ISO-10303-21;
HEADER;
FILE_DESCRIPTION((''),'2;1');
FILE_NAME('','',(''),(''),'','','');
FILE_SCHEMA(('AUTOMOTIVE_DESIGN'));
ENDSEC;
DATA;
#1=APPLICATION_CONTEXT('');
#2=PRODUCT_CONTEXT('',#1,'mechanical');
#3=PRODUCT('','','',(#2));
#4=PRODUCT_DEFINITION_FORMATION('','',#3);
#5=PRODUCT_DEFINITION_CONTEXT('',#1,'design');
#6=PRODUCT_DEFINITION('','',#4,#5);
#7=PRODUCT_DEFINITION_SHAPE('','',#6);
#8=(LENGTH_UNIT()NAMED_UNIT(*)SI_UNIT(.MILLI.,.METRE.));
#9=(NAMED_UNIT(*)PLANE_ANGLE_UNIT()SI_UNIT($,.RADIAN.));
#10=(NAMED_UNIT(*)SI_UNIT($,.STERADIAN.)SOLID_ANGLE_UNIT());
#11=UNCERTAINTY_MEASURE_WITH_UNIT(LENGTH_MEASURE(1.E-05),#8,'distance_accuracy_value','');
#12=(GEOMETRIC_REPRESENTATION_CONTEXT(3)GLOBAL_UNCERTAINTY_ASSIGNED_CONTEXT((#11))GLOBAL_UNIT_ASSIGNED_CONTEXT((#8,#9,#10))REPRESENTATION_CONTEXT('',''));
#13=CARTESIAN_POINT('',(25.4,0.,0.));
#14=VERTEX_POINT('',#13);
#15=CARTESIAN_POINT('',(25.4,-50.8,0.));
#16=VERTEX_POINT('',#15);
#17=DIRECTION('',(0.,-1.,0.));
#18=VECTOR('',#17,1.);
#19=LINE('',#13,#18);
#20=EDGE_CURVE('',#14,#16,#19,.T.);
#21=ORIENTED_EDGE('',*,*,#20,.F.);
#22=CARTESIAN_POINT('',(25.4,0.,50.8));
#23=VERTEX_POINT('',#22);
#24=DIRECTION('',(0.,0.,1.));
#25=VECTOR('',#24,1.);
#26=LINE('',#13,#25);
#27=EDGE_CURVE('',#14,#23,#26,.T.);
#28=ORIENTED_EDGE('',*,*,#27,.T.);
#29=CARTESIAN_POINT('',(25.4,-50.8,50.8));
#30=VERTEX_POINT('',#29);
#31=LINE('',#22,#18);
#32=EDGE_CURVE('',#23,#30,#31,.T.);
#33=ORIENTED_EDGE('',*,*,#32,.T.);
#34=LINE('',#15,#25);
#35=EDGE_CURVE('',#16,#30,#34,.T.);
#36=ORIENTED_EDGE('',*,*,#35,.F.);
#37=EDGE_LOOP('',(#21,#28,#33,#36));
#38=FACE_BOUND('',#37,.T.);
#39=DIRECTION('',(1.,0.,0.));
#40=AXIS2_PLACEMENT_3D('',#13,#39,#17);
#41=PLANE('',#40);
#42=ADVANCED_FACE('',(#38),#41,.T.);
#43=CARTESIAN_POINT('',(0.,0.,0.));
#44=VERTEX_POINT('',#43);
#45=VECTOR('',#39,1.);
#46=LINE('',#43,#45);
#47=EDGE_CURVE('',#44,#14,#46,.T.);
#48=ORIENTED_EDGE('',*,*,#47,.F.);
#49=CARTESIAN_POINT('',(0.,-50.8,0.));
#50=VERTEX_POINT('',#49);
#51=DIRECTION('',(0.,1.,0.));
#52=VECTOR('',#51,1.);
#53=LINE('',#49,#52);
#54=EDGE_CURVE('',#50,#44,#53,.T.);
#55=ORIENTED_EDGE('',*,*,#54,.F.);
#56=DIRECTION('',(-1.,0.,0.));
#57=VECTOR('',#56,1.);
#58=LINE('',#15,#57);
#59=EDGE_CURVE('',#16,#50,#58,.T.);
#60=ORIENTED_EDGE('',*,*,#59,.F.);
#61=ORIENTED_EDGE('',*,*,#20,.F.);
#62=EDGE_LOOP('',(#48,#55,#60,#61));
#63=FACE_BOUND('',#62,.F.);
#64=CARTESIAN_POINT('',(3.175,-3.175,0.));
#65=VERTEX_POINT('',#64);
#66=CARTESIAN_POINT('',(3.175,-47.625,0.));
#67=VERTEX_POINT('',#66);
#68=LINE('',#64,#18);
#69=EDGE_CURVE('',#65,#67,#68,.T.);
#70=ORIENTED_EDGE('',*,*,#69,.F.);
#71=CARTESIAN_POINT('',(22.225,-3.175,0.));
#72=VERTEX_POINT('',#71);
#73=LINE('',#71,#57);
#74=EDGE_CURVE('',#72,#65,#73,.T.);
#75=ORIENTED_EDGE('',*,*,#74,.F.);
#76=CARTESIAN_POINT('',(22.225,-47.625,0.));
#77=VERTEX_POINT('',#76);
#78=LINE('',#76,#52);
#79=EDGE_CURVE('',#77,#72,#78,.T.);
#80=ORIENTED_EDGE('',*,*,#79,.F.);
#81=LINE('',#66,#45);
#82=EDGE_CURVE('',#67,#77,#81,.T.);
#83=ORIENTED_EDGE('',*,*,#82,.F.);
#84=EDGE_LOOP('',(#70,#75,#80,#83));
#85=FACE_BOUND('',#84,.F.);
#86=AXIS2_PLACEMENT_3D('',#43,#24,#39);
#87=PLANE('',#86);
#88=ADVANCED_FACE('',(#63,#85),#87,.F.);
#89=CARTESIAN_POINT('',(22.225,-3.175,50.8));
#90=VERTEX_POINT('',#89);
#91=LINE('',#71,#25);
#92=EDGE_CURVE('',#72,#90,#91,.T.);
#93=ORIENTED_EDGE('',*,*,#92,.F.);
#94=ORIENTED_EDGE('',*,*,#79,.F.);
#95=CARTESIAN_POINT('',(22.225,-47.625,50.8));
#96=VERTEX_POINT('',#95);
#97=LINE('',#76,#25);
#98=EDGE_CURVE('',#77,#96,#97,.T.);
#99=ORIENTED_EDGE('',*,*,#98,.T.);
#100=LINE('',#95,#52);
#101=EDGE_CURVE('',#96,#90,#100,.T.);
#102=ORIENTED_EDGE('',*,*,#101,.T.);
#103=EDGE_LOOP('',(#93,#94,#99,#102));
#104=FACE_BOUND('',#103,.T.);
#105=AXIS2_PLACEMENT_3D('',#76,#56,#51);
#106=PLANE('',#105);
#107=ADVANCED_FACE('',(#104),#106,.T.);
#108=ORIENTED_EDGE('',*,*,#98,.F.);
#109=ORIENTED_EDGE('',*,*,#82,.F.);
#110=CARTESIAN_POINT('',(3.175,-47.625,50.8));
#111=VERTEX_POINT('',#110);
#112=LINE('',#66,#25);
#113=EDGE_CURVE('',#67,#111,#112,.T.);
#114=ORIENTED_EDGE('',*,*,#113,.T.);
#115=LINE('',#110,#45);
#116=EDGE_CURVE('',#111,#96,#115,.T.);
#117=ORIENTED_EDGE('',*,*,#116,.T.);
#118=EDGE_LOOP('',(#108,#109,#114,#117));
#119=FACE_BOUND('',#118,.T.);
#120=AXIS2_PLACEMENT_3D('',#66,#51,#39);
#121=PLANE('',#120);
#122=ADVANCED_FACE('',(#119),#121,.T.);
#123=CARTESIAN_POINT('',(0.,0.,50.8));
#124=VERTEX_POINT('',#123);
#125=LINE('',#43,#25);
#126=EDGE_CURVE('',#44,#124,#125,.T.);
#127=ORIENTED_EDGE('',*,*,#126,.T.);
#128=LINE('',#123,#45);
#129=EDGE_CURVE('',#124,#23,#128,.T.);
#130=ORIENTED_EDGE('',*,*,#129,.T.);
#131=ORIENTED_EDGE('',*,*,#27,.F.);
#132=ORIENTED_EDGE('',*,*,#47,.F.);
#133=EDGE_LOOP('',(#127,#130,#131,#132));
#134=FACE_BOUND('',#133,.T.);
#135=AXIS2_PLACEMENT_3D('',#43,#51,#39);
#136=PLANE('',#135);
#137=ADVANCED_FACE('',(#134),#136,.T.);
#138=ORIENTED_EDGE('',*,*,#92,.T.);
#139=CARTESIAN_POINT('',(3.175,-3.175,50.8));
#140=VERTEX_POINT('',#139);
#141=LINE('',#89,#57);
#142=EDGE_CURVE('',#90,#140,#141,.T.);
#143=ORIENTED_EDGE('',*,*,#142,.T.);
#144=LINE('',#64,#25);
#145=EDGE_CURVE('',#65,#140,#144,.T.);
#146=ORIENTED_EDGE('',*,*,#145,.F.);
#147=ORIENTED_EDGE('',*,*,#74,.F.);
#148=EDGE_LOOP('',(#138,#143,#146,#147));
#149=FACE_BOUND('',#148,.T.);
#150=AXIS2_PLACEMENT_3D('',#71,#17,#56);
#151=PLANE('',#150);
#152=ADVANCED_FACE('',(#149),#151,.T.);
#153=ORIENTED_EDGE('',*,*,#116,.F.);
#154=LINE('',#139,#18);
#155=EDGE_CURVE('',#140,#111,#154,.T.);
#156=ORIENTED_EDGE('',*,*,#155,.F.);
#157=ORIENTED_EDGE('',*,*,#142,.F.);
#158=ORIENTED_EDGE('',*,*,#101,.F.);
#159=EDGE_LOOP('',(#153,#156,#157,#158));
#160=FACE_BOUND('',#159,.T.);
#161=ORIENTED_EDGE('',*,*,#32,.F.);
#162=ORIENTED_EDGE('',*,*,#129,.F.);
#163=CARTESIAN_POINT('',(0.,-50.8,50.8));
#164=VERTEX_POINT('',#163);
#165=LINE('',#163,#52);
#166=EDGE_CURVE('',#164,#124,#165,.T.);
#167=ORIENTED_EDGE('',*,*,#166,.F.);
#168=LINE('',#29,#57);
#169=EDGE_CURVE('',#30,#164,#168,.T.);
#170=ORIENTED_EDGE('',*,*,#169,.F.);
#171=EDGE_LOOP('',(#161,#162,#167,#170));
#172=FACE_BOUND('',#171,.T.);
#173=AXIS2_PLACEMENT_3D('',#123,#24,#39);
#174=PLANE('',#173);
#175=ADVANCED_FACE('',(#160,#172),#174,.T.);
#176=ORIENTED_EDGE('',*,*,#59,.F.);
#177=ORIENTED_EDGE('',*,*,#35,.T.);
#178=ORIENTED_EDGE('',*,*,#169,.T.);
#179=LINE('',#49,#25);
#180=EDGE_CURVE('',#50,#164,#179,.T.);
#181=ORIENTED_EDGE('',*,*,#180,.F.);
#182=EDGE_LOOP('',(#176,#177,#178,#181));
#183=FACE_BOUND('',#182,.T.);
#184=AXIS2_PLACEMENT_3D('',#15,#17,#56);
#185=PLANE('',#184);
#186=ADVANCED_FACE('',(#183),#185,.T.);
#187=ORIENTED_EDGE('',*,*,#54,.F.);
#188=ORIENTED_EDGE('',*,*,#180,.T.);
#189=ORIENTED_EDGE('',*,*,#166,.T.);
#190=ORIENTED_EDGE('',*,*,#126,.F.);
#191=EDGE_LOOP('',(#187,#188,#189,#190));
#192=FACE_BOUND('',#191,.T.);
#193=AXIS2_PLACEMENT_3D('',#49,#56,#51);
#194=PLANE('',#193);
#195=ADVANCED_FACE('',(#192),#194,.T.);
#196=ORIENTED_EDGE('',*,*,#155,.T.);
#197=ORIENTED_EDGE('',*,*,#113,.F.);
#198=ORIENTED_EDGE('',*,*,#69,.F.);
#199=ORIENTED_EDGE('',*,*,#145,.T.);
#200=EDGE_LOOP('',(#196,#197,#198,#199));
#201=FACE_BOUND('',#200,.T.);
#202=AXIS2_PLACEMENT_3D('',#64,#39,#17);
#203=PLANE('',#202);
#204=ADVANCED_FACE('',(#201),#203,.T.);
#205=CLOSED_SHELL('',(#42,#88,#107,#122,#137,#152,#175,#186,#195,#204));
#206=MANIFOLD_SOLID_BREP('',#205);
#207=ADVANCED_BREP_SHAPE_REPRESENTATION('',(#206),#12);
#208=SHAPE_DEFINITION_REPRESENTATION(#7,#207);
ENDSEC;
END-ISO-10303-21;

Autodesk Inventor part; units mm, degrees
ref_plane "YZ Plane" through (0, 0, 0) normal (1, 0, 0) x (0, 1, 0)
ref_plane "XZ Plane" through (0, 0, 0) normal (0, 1, 0) x (-1, 0, 0)
ref_plane "XY Plane" through (0, 0, 0) normal (0, 0, 1) x (1, 0, 0)
sketch "Sketch1" plane through (0, 0, 0) normal (0, 0, 1) x (1, 0, 0)
  line L0 (0, 0) -> (25.4, 0)
  line L1 (25.4, 0) -> (25.4, -50.8)
  line L2 (25.4, -50.8) -> (0, -50.8)
  line L3 (0, -50.8) -> (0, 0)
  line L4 (22.225, -3.175) -> (3.175, -3.175)
  line L5 (3.175, -3.175) -> (3.175, -47.625)
  line L6 (3.175, -47.625) -> (22.225, -47.625)
  line L7 (22.225, -47.625) -> (22.225, -3.175)
  dimension "d0" = 25.4
  dimension "d1" = 50.8
  dimension "d2" = 3.175
extrude "Extrusion1" add sketch "Sketch1" along normal blind 50.8
properties part number "2 long box"
